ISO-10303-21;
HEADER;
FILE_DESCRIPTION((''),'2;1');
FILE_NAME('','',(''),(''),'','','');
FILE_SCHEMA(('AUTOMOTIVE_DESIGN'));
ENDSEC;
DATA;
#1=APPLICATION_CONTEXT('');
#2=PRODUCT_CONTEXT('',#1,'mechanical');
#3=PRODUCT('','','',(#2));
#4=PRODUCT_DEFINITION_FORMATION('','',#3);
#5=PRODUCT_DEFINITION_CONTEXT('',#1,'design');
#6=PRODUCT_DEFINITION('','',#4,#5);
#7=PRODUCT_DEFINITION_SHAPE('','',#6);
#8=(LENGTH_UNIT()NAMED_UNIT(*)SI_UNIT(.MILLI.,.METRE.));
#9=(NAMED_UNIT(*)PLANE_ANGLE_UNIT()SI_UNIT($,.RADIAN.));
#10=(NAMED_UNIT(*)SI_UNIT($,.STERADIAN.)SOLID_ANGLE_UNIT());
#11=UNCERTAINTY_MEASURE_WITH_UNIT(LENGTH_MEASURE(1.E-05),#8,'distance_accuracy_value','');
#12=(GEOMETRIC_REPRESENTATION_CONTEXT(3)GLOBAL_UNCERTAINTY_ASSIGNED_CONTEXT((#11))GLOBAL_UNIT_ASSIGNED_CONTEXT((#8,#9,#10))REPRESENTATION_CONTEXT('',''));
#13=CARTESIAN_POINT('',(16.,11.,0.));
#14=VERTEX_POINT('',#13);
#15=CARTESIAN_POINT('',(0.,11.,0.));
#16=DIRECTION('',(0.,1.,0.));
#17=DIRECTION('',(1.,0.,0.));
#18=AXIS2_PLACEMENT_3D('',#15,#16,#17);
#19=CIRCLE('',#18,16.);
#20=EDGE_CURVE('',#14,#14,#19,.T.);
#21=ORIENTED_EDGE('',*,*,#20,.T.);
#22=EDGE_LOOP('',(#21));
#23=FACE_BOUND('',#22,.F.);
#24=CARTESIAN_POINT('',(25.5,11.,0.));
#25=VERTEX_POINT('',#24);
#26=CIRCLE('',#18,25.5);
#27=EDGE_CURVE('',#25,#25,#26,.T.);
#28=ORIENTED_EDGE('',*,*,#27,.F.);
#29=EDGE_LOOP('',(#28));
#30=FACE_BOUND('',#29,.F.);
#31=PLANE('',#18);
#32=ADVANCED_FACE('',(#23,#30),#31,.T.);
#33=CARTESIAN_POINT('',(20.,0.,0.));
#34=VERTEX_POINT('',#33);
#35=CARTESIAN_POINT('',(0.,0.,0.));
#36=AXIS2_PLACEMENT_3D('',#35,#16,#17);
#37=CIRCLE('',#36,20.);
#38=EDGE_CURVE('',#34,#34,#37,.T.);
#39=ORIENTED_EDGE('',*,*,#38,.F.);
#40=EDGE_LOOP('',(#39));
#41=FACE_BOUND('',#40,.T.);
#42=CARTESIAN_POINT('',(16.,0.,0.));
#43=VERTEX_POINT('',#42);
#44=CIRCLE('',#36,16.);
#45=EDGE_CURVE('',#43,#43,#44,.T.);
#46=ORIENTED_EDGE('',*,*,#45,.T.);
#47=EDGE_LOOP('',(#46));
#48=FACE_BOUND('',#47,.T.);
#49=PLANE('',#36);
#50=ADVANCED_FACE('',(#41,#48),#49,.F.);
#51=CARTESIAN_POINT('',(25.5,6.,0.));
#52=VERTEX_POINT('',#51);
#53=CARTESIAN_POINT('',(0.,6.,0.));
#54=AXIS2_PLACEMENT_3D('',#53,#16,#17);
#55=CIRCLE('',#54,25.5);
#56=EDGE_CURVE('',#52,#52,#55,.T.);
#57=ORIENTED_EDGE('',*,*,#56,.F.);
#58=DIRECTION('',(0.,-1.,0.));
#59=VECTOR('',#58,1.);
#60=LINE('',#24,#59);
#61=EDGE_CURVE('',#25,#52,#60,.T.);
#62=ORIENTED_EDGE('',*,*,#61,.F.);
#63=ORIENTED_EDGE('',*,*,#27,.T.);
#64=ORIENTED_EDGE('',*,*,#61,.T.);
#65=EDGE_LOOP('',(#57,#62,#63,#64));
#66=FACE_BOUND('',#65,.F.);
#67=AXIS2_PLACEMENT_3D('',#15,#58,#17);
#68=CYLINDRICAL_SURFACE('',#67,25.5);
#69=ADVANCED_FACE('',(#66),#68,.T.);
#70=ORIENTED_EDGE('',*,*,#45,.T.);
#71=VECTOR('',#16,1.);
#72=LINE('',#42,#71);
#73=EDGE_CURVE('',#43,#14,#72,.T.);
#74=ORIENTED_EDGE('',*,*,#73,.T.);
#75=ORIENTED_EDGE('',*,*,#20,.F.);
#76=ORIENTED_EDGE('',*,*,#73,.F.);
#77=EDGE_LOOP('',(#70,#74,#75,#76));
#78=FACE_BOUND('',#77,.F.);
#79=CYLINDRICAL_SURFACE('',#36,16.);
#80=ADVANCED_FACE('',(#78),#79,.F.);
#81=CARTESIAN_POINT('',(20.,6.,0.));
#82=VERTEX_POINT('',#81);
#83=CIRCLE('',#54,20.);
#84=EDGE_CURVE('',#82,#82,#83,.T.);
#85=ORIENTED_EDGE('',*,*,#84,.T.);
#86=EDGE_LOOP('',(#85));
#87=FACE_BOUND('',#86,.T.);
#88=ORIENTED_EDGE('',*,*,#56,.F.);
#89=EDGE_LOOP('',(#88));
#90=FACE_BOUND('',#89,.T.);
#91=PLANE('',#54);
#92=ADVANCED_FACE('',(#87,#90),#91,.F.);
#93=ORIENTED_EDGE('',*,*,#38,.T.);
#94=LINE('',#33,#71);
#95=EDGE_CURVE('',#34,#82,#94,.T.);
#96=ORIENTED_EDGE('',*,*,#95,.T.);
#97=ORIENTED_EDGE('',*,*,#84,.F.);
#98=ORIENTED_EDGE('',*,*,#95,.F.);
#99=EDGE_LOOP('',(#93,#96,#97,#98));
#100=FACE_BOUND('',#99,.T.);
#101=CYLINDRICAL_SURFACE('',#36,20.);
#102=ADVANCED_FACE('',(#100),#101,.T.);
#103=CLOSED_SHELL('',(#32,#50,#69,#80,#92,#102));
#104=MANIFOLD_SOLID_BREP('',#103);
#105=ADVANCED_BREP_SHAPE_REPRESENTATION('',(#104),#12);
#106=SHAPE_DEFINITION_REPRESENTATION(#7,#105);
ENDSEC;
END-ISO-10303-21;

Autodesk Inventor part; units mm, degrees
ref_plane "YZ Plane" through (0, 0, 0) normal (1, 0, 0) x (0, 1, 0)
ref_plane "XZ Plane" through (0, 0, 0) normal (0, 1, 0) x (-1, 0, 0)
ref_plane "XY Plane" through (0, 0, 0) normal (0, 0, 1) x (1, 0, 0)
sketch "Sketch1" plane through (0, 0, 0) normal (0, 0, 1) x (1, 0, 0)
  line L0 (0, 0) -> (16, 0) construction
  line L1 (16, 0) -> (16, 11)
  line L2 (16, 11) -> (25.5, 11)
  line L3 (25.5, 11) -> (25.5, 6)
  line L4 (16, 0) -> (20, 0)
  line L5 (20, 0) -> (20, 6)
  line L6 (20, 6) -> (25.5, 6)
  line L7 (0, 0) -> (0, 17.5588) construction
  dimension "d0" = 16
  dimension "d1" = 11
  dimension "d2" = 9.5
  dimension "d3" = 5
  dimension "d4" = 4
revolve "Revolution1" add sketch "Sketch1" angle 360 about axis through (0, 0, 0) along (0, 1, 0)
properties part number "Seat" material "Bronze, Soft Tin"
